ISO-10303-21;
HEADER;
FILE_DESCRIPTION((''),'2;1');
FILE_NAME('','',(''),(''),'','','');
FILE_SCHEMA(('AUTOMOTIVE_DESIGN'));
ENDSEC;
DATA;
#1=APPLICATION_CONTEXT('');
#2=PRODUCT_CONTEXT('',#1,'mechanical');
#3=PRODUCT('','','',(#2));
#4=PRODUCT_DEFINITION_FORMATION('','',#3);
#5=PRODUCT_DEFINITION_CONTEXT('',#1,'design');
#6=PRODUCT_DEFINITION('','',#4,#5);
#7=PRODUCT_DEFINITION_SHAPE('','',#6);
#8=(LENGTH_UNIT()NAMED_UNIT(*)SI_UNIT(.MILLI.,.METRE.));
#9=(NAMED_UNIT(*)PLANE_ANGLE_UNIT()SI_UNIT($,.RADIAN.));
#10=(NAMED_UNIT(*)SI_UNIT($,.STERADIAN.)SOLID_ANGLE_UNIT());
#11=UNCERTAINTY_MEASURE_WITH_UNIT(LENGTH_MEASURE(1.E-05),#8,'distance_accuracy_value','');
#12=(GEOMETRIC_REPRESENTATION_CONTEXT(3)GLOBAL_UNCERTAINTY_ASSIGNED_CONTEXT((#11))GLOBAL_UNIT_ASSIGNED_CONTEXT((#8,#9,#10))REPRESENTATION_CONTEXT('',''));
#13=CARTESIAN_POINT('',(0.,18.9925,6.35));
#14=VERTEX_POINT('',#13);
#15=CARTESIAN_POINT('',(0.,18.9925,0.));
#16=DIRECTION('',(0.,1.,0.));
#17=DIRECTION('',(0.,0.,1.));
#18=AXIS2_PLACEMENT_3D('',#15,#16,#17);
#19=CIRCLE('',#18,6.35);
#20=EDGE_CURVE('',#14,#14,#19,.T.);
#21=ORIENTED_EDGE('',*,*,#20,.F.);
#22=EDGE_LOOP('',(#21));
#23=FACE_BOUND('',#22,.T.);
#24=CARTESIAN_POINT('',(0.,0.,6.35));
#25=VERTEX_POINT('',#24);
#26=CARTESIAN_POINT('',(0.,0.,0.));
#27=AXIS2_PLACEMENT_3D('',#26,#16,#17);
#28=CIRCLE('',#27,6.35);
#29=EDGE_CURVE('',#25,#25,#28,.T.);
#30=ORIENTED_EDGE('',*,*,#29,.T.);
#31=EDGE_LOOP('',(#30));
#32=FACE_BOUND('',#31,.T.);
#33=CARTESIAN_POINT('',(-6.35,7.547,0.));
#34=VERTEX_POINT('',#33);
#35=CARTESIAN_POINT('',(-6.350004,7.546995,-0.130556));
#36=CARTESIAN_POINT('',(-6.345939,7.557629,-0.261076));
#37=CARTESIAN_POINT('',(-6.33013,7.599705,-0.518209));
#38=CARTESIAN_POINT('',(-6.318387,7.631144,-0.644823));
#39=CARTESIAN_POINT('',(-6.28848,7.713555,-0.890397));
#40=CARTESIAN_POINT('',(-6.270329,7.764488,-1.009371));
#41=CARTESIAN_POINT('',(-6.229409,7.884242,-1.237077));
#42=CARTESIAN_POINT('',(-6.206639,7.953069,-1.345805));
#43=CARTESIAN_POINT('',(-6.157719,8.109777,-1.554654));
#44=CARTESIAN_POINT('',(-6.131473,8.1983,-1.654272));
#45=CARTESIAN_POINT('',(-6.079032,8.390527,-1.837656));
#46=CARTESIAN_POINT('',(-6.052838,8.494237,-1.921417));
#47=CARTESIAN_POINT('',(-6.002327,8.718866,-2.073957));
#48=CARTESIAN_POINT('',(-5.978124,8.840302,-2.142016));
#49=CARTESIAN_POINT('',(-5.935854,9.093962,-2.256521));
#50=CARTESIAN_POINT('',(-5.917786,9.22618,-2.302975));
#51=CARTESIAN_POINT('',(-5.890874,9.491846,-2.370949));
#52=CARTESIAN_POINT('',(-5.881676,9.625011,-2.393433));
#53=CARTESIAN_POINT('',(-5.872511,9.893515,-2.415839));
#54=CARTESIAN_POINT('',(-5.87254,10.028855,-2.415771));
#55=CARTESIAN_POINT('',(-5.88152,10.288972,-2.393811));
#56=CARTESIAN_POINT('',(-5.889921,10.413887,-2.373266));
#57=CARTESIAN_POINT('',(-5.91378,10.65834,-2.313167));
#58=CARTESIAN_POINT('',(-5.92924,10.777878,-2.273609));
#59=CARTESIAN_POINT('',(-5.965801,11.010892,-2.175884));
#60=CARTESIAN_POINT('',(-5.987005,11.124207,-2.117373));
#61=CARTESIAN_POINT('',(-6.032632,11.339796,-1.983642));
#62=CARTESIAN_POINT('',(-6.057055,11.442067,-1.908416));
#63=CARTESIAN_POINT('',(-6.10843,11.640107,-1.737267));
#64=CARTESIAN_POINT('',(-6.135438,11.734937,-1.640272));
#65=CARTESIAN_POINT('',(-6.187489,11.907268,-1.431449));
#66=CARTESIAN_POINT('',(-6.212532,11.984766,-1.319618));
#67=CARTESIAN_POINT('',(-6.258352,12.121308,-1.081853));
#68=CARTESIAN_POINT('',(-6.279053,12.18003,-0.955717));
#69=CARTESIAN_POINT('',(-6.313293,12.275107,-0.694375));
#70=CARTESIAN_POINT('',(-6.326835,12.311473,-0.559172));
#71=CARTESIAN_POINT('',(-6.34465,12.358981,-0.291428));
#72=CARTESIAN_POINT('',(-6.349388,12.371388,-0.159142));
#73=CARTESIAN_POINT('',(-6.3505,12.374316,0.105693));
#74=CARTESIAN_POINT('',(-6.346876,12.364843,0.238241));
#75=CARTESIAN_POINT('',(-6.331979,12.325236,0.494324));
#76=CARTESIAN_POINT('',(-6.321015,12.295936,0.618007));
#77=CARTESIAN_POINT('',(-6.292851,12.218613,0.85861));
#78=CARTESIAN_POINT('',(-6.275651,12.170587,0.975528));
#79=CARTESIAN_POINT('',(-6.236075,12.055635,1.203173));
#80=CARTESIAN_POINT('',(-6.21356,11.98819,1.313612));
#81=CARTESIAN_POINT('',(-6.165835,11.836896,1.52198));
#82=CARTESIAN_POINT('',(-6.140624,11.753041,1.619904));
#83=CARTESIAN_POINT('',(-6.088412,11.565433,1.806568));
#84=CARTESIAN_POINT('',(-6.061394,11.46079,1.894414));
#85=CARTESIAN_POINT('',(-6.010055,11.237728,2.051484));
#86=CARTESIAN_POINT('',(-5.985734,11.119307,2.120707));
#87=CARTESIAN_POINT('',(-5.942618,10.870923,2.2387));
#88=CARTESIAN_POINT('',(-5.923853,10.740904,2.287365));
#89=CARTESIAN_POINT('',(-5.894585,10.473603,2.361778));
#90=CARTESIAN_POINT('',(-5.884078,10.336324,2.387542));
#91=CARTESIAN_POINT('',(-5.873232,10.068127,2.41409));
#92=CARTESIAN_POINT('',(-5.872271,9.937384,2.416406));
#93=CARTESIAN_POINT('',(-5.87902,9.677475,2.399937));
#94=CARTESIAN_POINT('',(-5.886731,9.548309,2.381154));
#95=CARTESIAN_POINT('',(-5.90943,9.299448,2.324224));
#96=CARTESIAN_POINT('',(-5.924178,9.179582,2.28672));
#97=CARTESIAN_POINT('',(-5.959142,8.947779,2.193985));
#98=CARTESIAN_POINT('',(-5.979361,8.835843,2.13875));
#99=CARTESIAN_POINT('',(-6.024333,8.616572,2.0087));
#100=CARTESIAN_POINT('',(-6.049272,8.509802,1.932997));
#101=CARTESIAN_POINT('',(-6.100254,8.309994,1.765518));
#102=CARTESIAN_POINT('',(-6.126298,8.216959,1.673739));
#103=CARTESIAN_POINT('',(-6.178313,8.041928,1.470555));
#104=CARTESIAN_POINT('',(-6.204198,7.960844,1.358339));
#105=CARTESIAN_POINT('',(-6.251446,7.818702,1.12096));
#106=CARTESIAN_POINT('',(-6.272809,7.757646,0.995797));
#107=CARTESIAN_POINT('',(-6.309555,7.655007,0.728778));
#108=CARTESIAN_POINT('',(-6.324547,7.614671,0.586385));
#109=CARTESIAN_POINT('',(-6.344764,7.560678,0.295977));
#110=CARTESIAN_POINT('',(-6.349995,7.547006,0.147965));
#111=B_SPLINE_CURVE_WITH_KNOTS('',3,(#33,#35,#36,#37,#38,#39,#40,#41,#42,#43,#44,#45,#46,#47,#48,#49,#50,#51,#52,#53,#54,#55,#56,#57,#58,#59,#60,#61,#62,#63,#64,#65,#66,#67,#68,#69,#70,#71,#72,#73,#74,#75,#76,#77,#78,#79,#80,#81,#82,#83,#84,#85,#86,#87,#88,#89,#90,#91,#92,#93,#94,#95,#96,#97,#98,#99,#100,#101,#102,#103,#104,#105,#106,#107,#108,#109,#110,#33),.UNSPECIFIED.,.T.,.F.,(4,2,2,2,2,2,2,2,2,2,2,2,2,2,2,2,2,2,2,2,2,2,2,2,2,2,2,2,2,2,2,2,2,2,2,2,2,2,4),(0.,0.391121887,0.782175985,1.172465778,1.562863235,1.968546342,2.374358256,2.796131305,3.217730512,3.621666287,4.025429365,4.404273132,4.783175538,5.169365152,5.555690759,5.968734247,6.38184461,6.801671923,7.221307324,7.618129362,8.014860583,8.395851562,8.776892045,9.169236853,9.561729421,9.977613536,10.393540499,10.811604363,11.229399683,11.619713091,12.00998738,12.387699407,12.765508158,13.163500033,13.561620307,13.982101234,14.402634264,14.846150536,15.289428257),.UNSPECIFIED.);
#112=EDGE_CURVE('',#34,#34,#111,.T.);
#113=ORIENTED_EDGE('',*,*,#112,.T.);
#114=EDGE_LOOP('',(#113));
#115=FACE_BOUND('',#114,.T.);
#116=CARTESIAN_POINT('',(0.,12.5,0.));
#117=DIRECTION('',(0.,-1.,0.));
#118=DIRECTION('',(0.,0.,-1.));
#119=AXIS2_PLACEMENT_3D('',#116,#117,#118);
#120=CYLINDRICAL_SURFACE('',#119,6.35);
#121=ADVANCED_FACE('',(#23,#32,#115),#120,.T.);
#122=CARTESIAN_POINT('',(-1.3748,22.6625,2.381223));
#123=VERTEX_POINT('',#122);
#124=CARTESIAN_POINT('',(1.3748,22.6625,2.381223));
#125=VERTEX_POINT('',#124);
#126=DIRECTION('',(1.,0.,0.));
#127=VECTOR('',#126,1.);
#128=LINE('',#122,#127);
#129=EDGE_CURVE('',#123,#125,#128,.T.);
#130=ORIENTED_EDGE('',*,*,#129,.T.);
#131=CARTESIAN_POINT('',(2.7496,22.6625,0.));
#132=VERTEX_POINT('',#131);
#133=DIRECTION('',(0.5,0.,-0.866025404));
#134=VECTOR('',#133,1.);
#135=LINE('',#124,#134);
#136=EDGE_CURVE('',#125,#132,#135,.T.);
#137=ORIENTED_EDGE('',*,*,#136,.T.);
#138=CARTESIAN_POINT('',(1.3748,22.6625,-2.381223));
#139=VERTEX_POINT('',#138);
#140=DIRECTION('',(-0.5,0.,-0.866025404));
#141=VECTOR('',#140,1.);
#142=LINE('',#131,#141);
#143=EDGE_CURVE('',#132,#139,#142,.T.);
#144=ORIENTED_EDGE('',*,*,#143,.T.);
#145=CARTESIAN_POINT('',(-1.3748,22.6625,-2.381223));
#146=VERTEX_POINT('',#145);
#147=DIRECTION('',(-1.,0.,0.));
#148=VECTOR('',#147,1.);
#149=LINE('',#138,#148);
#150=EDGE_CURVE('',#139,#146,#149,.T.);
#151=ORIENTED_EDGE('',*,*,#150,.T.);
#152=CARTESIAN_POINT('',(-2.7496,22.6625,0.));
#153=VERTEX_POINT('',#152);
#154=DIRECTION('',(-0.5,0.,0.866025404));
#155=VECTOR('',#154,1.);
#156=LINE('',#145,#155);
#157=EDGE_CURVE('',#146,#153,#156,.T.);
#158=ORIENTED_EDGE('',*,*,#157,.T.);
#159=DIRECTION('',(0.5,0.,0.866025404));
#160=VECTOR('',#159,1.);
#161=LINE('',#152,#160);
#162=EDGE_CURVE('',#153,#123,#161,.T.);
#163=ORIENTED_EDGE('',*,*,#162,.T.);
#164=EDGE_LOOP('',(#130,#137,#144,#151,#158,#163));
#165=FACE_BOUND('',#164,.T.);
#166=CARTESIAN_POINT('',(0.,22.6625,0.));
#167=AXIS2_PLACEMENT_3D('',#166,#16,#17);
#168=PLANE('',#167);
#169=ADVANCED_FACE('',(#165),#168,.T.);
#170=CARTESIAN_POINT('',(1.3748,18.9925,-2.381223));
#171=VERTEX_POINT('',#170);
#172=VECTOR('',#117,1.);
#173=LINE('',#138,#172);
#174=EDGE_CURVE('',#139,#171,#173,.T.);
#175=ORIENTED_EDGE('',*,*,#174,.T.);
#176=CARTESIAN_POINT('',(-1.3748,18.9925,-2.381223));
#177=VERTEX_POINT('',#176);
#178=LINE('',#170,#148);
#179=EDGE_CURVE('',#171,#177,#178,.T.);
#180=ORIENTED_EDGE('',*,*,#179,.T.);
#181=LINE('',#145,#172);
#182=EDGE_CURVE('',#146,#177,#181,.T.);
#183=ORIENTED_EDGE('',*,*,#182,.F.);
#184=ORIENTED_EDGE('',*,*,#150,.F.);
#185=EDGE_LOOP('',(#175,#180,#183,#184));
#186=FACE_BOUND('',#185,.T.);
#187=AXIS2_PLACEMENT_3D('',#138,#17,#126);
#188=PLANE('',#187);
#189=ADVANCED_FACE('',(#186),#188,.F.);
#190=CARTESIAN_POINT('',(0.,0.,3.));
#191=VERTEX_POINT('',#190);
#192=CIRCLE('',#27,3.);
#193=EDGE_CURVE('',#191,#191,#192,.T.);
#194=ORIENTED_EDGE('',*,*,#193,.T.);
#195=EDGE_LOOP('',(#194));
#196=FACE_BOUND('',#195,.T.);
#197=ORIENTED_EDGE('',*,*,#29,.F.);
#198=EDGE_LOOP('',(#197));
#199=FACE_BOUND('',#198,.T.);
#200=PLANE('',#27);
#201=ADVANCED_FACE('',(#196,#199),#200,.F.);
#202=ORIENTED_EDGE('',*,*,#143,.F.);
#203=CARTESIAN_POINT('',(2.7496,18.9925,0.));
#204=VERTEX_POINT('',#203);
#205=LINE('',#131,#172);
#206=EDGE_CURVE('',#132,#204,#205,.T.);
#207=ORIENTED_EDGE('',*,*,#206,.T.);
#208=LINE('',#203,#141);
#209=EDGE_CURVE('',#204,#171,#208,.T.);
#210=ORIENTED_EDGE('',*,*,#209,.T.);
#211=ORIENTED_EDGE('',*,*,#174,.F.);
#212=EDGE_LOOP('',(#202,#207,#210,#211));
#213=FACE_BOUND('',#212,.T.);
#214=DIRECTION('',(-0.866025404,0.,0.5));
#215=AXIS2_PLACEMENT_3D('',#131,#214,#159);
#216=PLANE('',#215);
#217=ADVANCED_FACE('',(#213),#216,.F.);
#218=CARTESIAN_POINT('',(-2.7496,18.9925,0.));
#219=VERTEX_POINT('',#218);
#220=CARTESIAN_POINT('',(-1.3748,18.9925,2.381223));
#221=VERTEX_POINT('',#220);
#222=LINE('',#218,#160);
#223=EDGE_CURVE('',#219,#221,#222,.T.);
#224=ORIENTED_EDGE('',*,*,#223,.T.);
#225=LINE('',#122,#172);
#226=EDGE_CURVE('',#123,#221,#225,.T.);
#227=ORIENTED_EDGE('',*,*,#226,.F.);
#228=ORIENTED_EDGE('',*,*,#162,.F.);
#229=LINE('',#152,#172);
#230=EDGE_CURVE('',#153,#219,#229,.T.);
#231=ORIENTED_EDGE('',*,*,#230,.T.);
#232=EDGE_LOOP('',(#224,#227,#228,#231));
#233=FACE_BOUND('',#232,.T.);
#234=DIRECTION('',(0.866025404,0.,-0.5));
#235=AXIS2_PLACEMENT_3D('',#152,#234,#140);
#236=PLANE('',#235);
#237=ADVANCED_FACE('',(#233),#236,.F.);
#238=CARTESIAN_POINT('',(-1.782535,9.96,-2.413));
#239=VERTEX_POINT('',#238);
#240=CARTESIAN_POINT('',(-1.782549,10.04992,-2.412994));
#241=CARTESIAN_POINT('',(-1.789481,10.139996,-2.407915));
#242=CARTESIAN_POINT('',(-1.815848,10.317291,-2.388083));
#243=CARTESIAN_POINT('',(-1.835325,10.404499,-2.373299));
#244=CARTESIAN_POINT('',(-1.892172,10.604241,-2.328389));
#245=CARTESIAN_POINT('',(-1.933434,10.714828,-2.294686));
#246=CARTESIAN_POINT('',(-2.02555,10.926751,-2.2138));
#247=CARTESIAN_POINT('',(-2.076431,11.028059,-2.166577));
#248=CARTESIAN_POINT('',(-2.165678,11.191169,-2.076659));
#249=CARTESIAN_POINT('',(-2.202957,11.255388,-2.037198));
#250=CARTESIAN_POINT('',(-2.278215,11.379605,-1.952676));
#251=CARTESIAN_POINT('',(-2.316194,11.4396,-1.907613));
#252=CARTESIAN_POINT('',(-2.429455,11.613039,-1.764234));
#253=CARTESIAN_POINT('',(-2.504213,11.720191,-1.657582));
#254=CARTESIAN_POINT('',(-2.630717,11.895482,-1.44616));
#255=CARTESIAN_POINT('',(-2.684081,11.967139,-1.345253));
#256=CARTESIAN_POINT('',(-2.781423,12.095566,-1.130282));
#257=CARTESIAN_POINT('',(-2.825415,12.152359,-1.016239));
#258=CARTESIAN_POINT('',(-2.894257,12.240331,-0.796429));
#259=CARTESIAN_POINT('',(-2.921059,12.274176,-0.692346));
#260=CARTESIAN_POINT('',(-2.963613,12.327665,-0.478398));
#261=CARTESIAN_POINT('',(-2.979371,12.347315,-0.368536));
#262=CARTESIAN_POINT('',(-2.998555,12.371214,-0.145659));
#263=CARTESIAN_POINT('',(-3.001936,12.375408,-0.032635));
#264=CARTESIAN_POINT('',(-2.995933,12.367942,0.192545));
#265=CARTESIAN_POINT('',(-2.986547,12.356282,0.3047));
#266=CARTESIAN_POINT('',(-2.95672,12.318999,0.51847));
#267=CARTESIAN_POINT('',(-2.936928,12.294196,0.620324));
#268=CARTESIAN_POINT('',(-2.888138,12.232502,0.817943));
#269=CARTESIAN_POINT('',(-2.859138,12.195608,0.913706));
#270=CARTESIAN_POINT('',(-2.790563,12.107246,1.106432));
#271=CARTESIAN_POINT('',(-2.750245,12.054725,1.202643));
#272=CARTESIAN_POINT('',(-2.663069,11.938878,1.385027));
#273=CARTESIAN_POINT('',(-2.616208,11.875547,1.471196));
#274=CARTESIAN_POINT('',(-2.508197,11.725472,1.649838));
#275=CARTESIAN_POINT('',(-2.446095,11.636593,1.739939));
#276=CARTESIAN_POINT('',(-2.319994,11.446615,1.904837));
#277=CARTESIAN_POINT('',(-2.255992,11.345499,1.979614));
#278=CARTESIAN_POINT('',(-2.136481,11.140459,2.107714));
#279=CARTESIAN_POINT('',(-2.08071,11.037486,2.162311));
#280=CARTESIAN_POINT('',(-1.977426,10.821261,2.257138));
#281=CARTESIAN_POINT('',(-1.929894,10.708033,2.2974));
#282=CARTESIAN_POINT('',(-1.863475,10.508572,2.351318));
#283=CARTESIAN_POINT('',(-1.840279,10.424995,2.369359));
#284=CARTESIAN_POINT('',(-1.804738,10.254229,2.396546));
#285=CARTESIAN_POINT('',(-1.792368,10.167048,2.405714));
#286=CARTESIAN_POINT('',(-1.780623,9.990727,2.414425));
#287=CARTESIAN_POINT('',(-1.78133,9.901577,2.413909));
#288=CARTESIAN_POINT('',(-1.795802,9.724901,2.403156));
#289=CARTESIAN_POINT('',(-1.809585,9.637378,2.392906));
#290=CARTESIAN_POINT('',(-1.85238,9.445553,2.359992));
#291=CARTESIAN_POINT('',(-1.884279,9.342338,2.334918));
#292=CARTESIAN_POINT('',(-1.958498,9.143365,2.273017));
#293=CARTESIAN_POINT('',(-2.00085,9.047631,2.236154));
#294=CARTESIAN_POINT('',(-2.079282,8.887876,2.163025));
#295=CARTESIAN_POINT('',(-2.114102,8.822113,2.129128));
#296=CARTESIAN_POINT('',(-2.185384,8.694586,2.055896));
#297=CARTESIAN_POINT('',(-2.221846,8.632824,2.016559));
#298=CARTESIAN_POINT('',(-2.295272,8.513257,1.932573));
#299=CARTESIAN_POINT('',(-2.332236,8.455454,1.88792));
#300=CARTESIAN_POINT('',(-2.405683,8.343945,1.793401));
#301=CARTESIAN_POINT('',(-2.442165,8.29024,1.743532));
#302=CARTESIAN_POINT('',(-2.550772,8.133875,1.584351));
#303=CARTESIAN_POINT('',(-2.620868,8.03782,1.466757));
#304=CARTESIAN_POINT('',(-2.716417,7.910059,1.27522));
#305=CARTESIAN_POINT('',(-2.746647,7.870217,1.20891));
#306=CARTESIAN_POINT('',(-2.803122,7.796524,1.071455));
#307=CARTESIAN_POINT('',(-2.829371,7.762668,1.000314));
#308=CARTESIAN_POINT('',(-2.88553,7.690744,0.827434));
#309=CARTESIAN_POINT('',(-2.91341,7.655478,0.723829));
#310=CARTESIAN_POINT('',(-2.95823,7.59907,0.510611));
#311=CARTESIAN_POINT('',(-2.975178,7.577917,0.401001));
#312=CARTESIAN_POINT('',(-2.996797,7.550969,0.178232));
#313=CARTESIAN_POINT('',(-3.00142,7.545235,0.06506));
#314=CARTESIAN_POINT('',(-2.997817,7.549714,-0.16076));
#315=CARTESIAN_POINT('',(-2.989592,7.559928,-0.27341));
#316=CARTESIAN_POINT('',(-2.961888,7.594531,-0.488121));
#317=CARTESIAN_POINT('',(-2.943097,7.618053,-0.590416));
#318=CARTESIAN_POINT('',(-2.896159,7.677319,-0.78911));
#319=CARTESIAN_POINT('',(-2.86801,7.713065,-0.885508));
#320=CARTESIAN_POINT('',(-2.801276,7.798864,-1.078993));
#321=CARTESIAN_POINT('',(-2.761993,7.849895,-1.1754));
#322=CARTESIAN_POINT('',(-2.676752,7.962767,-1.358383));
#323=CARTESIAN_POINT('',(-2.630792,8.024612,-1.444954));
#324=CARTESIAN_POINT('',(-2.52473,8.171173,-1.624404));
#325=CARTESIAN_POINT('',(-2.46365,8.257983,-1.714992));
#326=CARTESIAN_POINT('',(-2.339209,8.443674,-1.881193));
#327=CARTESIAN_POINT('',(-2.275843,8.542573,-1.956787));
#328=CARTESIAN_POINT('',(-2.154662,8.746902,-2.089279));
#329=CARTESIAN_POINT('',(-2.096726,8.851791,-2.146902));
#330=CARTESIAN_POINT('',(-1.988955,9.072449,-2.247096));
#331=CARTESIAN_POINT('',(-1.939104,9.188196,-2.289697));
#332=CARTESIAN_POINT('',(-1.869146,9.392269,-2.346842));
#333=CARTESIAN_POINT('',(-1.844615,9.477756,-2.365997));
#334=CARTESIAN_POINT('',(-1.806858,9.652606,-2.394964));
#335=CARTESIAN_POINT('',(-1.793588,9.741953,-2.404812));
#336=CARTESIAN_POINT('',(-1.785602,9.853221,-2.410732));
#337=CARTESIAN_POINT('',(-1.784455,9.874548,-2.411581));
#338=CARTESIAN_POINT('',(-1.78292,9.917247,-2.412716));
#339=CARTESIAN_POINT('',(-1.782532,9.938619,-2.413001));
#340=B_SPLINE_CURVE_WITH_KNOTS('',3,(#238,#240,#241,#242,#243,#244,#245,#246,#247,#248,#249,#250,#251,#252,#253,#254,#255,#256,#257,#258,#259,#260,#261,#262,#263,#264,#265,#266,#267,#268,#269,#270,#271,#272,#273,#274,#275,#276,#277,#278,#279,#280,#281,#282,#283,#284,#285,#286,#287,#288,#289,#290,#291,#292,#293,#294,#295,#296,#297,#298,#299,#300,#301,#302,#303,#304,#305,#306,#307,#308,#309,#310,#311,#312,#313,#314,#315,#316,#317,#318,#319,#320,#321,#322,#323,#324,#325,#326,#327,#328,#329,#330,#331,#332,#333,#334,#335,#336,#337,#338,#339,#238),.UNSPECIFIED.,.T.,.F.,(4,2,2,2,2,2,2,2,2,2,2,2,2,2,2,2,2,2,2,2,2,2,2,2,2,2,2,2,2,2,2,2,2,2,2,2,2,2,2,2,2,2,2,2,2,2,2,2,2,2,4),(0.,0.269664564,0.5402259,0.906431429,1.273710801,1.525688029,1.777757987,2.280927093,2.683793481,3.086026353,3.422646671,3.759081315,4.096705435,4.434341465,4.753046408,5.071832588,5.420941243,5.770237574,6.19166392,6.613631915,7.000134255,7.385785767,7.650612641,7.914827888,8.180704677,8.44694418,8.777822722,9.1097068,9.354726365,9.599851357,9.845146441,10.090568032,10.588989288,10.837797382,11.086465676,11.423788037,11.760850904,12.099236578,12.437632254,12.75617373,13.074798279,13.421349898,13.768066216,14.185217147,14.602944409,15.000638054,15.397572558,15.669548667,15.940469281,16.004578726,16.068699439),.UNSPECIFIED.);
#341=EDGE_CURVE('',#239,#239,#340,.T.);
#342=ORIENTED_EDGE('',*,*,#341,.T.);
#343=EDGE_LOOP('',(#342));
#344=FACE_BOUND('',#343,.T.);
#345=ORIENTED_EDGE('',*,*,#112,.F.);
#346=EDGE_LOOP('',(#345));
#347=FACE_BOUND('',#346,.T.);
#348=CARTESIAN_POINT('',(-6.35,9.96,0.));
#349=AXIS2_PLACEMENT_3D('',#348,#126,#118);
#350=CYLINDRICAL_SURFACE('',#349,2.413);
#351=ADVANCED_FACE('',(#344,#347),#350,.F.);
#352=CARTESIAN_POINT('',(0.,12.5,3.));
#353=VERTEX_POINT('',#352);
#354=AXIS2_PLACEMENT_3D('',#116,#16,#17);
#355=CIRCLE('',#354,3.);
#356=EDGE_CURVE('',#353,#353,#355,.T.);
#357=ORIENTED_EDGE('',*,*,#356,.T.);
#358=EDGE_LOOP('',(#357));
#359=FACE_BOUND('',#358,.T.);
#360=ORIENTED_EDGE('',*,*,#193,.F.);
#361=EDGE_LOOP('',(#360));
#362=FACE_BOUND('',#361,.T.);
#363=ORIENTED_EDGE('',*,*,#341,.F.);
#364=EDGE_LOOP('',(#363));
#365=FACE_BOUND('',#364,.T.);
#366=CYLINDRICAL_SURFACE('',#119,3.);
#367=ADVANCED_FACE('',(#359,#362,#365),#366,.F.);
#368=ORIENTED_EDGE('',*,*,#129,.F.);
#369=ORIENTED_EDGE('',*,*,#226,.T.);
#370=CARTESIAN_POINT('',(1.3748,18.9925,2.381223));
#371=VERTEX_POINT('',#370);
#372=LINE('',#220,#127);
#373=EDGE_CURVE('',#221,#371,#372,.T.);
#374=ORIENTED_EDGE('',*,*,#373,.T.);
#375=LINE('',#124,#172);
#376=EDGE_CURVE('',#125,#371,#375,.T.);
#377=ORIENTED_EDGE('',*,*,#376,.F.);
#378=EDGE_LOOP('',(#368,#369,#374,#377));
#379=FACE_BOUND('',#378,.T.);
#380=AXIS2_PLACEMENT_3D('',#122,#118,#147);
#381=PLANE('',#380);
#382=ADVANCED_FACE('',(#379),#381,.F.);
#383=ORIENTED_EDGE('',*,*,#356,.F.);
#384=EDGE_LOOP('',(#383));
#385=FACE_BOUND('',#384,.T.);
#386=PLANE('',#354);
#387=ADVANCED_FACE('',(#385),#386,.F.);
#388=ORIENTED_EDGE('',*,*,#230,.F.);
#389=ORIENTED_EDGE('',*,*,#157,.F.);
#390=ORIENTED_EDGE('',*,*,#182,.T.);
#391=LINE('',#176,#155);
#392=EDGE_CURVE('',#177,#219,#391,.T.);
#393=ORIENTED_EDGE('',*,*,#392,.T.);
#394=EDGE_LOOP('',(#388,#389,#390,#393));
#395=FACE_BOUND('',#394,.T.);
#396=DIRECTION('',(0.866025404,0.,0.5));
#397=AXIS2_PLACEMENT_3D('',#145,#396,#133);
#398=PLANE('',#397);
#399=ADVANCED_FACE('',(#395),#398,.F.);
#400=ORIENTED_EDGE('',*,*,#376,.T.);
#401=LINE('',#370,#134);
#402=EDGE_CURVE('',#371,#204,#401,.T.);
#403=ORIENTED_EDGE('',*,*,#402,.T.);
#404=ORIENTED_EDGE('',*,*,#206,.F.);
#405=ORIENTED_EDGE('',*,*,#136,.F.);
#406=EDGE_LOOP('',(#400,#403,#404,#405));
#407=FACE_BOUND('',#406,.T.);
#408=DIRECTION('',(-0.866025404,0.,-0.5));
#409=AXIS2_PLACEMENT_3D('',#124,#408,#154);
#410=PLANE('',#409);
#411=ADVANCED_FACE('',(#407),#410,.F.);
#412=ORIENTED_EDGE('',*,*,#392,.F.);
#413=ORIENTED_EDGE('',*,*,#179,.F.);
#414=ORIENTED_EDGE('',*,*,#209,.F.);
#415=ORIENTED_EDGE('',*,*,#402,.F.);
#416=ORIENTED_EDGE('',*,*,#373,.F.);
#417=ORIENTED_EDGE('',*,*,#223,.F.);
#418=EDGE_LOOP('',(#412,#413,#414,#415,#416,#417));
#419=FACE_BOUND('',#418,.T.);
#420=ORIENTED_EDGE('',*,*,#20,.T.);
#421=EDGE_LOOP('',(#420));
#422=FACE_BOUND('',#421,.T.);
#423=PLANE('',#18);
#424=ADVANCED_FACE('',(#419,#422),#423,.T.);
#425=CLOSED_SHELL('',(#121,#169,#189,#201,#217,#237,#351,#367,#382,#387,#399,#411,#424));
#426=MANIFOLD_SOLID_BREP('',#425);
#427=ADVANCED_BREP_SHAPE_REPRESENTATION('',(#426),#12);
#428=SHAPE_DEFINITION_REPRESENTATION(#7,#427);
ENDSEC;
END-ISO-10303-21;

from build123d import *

# Parameters (mm, degrees)
SKETCH1_R           = 6.35
SKETCH1_R_2         = 3
BOSS_EXTRUDE1_DEPTH = 12.5
SKETCH4_R           = 2.413
CUT_EXTRUDE1_DEPTH  = 7.35
SKETCH6_R           = 6.35
BOSS_EXTRUDE4_DEPTH = 6.4925
BOSS_EXTRUDE5_DEPTH = 3.67


with BuildPart() as part:
    # Sketch1 → Boss-Extrude1 (new body)
    with BuildSketch(Plane(origin=(0, 0, 0), x_dir=(1, 0, 0), z_dir=(0, 1, 0))):
        Circle(SKETCH1_R)
        Circle(SKETCH1_R_2, mode=Mode.SUBTRACT)
    extrude(amount=BOSS_EXTRUDE1_DEPTH)

    # Sketch4 → Cut-Extrude1 (cut, through all)
    with BuildSketch(Plane(origin=(0, 0, 0), x_dir=(0, 0, -1), z_dir=(1, 0, 0))):
        with Locations((0, 9.96)):
            Circle(SKETCH4_R)
    extrude(amount=-CUT_EXTRUDE1_DEPTH, mode=Mode.SUBTRACT)

    # Sketch6 → Boss-Extrude4 (add)
    with BuildSketch(Plane(origin=(0, 12.5, 0), x_dir=(1, 0, 0), z_dir=(0, 1, 0))):
        Circle(SKETCH6_R)
    extrude(amount=BOSS_EXTRUDE4_DEPTH)

    # Sketch7 → Boss-Extrude5 (add)
    with BuildSketch(Plane(origin=(0, 18.9925, 0), x_dir=(1, 0, 0), z_dir=(0, 1, 0))):
        Polygon((-1.3748, 2.38122345), (-2.7496, 0), (-1.3748, -2.38122345), (1.3748, -2.38122345), (2.7496, 0), (1.3748, 2.38122345), align=None)
    extrude(amount=BOSS_EXTRUDE5_DEPTH)


solid = part.part
